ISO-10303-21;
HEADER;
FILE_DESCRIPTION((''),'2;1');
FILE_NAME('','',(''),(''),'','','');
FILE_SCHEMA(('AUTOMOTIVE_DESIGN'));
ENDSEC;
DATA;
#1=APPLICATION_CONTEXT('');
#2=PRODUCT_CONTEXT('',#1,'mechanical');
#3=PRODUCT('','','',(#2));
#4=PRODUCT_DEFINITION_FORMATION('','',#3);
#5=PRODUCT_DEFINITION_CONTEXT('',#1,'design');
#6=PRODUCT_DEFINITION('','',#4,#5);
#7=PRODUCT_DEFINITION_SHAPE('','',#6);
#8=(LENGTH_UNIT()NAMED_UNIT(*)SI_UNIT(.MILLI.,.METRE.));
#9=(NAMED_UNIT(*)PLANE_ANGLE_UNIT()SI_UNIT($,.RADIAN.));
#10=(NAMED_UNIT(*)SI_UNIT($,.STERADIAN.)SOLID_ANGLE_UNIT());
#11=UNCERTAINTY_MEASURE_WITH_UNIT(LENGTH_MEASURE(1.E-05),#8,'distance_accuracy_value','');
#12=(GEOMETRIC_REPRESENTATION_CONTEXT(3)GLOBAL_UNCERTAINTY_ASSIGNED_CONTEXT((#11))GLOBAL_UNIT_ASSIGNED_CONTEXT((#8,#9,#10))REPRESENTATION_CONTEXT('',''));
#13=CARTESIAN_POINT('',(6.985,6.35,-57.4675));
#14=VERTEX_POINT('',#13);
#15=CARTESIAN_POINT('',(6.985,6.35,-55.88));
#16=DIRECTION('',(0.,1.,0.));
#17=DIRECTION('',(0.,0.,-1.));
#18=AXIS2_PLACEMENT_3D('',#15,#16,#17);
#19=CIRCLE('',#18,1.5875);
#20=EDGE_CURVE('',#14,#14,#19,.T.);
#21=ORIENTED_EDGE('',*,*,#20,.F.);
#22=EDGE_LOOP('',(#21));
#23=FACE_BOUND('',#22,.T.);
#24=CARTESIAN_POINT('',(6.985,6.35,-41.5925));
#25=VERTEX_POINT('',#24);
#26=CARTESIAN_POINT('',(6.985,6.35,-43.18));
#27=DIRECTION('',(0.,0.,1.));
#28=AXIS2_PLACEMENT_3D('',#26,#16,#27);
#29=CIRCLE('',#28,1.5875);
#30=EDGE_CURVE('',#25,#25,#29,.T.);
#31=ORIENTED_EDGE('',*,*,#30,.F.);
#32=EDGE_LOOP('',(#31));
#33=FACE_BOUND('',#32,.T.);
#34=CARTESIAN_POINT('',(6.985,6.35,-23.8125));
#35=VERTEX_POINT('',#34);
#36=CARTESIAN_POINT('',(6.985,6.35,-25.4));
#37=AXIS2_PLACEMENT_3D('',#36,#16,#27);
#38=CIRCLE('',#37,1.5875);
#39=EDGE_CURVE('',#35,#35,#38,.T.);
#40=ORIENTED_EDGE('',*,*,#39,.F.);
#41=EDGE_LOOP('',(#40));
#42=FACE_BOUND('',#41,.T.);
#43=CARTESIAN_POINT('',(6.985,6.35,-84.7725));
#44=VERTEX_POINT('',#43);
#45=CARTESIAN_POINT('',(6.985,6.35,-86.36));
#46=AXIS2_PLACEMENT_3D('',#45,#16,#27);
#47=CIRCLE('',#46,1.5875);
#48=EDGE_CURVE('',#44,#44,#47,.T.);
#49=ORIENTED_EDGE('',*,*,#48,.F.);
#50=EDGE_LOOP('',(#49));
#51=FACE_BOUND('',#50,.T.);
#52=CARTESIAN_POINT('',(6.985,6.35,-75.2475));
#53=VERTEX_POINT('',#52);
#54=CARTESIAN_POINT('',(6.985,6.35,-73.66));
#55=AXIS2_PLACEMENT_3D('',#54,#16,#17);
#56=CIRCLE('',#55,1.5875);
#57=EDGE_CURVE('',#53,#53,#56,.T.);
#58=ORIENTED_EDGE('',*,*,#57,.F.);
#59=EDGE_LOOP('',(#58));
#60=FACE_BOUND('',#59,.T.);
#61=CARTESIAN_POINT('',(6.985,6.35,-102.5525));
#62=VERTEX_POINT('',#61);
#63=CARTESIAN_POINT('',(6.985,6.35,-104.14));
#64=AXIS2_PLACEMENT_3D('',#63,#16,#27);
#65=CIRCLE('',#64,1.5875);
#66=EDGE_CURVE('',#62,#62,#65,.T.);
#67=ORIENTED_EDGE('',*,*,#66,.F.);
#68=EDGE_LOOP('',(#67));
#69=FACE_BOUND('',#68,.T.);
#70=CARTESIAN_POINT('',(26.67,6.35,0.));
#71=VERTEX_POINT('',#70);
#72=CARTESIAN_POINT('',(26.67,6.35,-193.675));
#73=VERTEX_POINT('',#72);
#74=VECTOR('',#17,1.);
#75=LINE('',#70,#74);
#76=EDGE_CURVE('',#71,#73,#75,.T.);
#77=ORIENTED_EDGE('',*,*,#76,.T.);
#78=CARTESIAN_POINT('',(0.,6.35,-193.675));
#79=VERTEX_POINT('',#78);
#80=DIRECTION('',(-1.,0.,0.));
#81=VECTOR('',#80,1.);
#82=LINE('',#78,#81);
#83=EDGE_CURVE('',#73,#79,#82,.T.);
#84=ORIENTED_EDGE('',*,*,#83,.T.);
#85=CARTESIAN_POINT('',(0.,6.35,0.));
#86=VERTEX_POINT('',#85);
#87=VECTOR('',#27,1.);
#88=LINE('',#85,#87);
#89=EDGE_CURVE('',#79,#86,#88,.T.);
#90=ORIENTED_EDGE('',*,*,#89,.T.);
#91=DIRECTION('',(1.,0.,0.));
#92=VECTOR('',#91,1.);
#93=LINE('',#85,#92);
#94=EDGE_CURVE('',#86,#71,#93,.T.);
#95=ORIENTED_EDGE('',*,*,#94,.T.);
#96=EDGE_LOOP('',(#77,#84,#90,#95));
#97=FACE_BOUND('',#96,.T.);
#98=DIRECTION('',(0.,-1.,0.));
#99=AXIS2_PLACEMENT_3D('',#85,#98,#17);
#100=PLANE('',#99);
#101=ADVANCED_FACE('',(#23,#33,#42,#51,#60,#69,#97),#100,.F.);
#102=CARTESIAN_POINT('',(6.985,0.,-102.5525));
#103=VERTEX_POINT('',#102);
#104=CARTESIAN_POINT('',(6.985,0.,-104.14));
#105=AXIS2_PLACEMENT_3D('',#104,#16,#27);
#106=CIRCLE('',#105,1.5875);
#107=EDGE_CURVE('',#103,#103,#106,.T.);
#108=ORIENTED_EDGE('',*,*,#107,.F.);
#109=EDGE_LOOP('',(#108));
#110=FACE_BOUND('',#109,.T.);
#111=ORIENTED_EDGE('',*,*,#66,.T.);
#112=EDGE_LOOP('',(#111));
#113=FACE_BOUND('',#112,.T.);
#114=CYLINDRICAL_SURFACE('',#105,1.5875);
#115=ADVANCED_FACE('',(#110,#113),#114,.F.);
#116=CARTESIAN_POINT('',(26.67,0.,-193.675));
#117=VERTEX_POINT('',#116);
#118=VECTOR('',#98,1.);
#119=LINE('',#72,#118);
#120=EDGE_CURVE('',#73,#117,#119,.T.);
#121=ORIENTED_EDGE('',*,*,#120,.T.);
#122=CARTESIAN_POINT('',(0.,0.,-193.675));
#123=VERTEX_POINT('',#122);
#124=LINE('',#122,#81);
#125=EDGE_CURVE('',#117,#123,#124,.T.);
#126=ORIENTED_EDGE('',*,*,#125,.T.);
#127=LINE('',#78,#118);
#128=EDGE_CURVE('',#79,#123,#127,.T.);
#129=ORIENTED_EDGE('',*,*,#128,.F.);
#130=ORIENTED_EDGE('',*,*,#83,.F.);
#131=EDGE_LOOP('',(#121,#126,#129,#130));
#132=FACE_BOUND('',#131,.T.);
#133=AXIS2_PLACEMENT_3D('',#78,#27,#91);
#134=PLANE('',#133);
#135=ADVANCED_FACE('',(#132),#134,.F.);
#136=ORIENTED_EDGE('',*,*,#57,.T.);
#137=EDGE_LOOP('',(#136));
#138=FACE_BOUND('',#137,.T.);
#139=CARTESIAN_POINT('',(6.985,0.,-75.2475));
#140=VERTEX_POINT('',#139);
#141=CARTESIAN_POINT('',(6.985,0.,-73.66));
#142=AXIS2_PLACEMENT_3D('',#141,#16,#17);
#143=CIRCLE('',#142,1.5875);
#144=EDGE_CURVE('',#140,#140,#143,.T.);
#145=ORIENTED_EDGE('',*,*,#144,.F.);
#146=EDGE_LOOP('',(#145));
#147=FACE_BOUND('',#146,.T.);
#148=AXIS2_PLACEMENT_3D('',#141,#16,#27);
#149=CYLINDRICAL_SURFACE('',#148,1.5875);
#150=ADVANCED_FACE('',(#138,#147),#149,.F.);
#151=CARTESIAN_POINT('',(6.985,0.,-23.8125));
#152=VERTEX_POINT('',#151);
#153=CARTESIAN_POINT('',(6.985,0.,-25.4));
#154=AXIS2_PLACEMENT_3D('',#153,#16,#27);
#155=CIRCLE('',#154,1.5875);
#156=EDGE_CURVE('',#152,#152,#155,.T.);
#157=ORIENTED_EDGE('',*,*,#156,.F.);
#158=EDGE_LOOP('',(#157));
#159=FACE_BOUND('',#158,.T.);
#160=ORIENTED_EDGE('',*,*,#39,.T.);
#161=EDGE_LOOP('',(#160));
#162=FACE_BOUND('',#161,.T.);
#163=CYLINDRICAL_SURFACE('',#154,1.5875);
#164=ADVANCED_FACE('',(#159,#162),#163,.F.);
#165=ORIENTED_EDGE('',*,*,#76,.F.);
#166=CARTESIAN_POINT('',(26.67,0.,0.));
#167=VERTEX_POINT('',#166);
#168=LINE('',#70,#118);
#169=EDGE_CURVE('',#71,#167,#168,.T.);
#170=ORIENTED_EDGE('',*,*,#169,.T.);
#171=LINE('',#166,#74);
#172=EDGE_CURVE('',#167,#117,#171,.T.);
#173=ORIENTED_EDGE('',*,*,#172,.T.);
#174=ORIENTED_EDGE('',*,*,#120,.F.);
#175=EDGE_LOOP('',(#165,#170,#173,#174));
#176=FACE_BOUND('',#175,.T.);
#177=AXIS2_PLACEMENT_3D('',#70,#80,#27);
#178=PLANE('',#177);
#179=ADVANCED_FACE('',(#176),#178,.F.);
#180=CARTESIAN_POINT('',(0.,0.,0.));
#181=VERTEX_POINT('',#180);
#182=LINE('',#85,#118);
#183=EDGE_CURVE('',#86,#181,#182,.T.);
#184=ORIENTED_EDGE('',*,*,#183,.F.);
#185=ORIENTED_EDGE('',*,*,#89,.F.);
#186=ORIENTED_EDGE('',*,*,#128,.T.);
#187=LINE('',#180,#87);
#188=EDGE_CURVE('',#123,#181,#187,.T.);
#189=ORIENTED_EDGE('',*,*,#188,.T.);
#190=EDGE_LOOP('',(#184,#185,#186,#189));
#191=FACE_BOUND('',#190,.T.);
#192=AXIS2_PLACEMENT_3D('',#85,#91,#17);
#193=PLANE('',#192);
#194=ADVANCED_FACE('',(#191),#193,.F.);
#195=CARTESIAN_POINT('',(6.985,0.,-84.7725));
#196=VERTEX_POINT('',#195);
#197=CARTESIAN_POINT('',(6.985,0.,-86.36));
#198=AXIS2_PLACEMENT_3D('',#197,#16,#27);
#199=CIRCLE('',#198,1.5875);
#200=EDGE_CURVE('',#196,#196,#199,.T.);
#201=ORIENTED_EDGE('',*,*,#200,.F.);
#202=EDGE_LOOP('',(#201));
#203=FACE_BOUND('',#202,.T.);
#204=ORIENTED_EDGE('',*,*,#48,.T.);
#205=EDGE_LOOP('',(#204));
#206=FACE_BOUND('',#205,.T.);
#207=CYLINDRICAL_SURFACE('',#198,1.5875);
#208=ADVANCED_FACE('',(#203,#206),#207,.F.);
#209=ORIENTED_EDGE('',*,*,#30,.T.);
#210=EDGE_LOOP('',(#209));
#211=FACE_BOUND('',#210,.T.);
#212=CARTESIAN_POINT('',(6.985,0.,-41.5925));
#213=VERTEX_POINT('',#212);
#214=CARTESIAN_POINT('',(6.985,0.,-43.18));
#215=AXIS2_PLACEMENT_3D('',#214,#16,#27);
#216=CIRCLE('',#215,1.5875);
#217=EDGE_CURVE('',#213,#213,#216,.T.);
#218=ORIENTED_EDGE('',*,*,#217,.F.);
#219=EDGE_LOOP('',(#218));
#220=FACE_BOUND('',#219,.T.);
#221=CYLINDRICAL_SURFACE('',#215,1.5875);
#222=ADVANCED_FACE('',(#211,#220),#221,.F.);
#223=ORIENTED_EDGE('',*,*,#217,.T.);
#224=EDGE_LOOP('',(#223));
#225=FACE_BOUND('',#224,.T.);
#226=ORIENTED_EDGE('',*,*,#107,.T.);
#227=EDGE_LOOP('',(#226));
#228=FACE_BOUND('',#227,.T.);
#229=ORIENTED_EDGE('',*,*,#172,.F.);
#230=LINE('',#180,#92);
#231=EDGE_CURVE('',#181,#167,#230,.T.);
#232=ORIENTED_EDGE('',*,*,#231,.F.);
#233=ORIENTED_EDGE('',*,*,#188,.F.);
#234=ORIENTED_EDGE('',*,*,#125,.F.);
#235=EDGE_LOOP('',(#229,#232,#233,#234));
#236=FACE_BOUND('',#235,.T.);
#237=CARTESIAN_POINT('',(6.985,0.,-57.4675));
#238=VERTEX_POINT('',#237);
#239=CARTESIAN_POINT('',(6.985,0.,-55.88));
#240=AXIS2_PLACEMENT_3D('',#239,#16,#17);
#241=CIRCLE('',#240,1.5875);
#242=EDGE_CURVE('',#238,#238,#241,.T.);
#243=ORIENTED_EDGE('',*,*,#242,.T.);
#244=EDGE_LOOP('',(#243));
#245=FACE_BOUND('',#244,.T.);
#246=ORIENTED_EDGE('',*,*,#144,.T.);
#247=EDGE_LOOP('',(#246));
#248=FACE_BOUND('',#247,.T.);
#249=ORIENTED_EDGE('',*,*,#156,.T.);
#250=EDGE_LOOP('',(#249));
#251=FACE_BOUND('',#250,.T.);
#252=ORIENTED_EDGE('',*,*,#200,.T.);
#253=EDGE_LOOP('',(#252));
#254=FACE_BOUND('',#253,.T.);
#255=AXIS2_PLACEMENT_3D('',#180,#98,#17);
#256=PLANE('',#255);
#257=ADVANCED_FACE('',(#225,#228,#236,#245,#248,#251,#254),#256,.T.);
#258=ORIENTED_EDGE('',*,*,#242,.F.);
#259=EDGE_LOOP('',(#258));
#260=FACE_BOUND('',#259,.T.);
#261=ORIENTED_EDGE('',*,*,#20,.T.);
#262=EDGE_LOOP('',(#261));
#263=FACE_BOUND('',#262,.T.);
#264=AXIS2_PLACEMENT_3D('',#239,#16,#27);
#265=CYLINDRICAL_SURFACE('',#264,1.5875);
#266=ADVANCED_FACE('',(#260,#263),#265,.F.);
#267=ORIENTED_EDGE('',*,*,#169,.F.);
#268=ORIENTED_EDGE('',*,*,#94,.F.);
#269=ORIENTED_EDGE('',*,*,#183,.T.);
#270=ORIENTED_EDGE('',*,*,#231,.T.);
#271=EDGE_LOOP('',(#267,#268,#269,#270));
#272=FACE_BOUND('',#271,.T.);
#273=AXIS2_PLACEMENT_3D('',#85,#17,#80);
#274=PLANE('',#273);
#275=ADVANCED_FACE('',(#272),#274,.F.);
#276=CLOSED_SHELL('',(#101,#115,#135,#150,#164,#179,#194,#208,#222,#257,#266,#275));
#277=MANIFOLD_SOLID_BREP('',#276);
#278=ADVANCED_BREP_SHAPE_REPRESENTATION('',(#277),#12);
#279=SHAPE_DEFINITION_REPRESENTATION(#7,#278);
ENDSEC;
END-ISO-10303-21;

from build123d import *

# Parameters (mm, degrees)
SKETCH1_W           = 26.67
SKETCH1_H           = 193.675
BOSS_EXTRUDE1_DEPTH = 6.35
SKETCH3_R           = 1.5875
CUT_EXTRUDE1_DEPTH  = 7.35


with BuildPart() as part:
    # Sketch1 → Boss-Extrude1 (new body)
    with BuildSketch(Plane(origin=(0, 0, 0), x_dir=(1, 0, 0), z_dir=(0, 1, 0))):
        with Locations((13.335, 96.8375)):
            Rectangle(SKETCH1_W, SKETCH1_H)
    extrude(amount=BOSS_EXTRUDE1_DEPTH)

    # Sketch3 → Cut-Extrude1 (cut, through all)
    with BuildSketch(Plane(origin=(0, 6.35, 0), x_dir=(1, 0, 0), z_dir=(0, 1, 0))):
        with Locations((6.985, 25.4)):
            Circle(SKETCH3_R)
        with Locations((6.985, 43.18)):
            Circle(SKETCH3_R)
        with Locations((6.985, 73.66)):
            Circle(SKETCH3_R)
        with Locations((6.985, 55.88)):
            Circle(SKETCH3_R)
        with Locations((6.985, 104.14)):
            Circle(SKETCH3_R)
        with Locations((6.985, 86.36)):
            Circle(SKETCH3_R)
    extrude(amount=-CUT_EXTRUDE1_DEPTH, mode=Mode.SUBTRACT)


solid = part.part
